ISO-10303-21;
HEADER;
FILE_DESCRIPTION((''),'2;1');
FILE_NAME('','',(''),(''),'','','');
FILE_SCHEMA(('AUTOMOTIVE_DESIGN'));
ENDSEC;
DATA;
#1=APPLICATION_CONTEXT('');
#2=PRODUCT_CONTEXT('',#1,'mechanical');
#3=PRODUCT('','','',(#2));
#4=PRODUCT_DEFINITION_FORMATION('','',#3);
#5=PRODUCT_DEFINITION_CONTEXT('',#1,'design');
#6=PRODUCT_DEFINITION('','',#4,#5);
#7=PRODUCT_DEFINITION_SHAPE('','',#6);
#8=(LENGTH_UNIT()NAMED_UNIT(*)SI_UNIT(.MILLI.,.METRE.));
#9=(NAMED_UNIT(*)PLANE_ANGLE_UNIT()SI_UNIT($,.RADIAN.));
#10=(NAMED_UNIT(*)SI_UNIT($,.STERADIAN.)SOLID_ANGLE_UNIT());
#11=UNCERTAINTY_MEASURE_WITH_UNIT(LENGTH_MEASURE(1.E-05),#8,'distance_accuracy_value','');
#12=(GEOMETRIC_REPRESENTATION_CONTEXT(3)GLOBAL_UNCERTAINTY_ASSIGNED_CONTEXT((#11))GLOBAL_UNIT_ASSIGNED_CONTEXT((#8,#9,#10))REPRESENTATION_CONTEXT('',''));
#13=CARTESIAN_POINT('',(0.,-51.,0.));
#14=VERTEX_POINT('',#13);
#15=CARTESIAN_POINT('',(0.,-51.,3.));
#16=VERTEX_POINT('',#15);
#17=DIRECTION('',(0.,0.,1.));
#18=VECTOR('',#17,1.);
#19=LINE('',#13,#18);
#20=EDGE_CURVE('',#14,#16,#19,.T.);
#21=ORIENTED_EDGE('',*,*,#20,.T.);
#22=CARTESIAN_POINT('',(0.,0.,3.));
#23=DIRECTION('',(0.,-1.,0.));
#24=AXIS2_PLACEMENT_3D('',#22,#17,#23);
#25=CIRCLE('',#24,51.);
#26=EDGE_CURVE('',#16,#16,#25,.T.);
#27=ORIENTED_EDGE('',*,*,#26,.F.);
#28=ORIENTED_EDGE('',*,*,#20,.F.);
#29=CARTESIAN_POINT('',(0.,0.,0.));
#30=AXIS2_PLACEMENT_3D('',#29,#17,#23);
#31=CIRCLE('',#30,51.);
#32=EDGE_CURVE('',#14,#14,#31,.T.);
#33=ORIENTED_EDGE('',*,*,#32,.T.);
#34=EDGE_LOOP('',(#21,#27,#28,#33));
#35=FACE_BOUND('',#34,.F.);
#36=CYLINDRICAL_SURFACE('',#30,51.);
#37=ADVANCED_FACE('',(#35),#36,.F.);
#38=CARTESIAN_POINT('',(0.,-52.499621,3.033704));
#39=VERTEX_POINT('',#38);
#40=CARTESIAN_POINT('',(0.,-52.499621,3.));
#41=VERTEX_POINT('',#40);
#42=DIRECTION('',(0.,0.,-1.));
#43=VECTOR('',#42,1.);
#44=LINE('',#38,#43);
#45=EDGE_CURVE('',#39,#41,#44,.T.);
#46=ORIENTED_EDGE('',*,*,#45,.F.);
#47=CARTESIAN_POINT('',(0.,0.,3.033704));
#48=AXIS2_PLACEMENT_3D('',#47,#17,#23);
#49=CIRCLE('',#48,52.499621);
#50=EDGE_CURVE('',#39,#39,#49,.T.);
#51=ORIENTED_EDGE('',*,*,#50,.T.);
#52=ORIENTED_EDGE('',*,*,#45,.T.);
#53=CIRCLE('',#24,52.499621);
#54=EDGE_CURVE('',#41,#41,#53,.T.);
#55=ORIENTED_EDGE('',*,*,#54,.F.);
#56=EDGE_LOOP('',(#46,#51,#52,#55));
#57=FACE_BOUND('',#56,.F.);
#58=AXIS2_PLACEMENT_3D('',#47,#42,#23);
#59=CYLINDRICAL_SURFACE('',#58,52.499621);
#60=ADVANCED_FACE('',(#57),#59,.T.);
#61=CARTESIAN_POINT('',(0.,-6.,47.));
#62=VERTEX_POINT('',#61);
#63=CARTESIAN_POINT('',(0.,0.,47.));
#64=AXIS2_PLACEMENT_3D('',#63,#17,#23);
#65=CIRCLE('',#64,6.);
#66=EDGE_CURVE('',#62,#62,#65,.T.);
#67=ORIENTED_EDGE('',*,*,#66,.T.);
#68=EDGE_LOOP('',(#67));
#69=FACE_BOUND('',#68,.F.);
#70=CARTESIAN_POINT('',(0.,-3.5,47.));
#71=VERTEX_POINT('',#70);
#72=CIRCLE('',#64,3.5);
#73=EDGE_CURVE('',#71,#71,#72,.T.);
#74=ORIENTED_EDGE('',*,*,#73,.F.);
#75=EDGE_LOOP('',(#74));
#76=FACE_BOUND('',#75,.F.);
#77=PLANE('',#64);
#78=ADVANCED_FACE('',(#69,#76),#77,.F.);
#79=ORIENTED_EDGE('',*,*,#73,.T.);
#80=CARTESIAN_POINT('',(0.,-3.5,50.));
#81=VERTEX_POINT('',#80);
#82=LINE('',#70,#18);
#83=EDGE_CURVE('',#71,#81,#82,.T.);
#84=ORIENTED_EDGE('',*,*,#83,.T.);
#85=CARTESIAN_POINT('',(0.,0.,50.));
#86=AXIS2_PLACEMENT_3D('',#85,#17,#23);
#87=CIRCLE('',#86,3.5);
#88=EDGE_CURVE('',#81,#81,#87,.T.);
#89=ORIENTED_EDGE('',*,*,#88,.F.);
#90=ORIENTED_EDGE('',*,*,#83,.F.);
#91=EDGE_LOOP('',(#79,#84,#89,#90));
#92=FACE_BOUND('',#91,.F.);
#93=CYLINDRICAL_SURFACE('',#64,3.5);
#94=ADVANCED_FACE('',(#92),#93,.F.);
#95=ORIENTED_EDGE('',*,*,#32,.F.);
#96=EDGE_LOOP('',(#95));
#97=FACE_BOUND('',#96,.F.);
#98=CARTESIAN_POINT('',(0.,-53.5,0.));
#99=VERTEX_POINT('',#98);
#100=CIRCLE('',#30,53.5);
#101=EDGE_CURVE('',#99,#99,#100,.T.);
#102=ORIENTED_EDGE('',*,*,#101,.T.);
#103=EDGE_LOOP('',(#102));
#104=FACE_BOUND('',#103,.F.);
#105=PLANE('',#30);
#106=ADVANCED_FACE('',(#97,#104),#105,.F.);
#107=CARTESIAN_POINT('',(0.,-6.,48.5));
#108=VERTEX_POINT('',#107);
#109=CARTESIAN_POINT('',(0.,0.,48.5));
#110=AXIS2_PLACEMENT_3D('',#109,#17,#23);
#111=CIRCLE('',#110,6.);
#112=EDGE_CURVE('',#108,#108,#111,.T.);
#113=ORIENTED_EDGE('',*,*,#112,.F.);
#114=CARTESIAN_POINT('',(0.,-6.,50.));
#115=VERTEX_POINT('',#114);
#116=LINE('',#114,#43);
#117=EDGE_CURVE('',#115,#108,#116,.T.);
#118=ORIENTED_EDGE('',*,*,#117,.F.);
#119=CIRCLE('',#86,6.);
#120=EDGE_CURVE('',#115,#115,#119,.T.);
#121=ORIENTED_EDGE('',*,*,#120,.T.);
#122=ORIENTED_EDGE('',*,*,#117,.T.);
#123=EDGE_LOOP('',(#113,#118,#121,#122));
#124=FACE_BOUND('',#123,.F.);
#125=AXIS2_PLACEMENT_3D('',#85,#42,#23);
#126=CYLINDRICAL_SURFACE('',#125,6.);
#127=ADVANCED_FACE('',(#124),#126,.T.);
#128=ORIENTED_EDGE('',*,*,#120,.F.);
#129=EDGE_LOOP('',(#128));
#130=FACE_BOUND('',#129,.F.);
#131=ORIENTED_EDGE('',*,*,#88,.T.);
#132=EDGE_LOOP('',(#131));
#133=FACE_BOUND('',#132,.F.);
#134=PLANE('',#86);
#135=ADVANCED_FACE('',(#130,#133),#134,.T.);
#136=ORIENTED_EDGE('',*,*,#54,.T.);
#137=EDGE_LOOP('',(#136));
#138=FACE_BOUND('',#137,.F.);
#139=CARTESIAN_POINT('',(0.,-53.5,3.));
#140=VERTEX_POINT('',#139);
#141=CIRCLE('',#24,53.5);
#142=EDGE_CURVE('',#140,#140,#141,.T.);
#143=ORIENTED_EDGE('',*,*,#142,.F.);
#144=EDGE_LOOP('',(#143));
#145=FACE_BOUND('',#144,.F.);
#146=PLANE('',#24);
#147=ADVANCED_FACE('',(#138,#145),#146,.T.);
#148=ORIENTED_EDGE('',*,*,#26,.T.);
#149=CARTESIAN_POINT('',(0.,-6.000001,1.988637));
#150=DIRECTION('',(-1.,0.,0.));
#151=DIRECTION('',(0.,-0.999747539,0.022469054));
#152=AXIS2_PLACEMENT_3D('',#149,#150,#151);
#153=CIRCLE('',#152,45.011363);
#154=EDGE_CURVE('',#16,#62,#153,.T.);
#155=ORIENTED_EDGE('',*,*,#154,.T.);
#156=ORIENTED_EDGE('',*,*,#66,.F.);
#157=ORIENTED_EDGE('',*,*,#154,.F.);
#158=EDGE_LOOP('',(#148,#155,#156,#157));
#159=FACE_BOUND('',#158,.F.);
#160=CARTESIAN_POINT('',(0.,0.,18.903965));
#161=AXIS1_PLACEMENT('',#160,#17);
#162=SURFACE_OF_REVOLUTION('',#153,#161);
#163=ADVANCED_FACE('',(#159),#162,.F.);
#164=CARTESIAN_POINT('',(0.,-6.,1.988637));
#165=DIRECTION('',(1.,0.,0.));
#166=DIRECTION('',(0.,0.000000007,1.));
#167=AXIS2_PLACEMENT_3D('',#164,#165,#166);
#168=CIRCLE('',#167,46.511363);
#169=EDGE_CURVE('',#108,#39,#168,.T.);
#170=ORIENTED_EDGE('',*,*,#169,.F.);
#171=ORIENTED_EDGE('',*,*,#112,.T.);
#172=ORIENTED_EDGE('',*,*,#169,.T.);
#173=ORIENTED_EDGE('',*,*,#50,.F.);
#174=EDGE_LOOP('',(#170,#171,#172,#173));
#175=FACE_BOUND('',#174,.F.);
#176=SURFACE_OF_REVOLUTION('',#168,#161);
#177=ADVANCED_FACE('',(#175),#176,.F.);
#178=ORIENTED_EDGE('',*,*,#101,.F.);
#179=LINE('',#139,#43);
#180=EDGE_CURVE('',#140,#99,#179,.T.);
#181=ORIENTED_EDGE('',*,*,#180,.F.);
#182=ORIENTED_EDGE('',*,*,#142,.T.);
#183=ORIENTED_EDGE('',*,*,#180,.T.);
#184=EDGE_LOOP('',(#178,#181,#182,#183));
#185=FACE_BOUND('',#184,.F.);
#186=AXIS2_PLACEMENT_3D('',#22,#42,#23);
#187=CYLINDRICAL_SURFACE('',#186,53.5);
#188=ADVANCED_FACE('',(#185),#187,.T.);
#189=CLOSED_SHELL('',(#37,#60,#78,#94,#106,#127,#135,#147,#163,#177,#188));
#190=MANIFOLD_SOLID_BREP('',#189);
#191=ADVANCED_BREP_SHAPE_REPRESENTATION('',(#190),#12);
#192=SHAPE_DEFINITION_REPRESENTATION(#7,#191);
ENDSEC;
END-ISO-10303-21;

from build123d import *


with BuildPart() as f1:
    # F0 (on Right) → F1 (revolve)
    with BuildSketch(Plane.YZ):
        Polygon((-53.5, 3), (-53.5, 0), (-51, 0), (-51, 3), (-52.499621, 3), align=None)
        Polygon((-6, 48.5), (-6, 47), (-3.5, 47), (-3.5, 50), (-6, 50), align=None)
        with BuildLine():
            Line((-52.499621, 3), (-51, 3))
            ThreePointArc((-51, 3), (-37.468238, 34.172062), (-6, 47))
            Line((-6, 47), (-6, 48.5))
            ThreePointArc((-6, 48.5), (-38.516914, 35.244572), (-52.499621, 3.033704))
            Line((-52.499621, 3.033704), (-52.499621, 3))
        make_face()
    revolve(axis=Axis((0, 0, 18.903965), (0, 0, 1)))


solid = f1.part
